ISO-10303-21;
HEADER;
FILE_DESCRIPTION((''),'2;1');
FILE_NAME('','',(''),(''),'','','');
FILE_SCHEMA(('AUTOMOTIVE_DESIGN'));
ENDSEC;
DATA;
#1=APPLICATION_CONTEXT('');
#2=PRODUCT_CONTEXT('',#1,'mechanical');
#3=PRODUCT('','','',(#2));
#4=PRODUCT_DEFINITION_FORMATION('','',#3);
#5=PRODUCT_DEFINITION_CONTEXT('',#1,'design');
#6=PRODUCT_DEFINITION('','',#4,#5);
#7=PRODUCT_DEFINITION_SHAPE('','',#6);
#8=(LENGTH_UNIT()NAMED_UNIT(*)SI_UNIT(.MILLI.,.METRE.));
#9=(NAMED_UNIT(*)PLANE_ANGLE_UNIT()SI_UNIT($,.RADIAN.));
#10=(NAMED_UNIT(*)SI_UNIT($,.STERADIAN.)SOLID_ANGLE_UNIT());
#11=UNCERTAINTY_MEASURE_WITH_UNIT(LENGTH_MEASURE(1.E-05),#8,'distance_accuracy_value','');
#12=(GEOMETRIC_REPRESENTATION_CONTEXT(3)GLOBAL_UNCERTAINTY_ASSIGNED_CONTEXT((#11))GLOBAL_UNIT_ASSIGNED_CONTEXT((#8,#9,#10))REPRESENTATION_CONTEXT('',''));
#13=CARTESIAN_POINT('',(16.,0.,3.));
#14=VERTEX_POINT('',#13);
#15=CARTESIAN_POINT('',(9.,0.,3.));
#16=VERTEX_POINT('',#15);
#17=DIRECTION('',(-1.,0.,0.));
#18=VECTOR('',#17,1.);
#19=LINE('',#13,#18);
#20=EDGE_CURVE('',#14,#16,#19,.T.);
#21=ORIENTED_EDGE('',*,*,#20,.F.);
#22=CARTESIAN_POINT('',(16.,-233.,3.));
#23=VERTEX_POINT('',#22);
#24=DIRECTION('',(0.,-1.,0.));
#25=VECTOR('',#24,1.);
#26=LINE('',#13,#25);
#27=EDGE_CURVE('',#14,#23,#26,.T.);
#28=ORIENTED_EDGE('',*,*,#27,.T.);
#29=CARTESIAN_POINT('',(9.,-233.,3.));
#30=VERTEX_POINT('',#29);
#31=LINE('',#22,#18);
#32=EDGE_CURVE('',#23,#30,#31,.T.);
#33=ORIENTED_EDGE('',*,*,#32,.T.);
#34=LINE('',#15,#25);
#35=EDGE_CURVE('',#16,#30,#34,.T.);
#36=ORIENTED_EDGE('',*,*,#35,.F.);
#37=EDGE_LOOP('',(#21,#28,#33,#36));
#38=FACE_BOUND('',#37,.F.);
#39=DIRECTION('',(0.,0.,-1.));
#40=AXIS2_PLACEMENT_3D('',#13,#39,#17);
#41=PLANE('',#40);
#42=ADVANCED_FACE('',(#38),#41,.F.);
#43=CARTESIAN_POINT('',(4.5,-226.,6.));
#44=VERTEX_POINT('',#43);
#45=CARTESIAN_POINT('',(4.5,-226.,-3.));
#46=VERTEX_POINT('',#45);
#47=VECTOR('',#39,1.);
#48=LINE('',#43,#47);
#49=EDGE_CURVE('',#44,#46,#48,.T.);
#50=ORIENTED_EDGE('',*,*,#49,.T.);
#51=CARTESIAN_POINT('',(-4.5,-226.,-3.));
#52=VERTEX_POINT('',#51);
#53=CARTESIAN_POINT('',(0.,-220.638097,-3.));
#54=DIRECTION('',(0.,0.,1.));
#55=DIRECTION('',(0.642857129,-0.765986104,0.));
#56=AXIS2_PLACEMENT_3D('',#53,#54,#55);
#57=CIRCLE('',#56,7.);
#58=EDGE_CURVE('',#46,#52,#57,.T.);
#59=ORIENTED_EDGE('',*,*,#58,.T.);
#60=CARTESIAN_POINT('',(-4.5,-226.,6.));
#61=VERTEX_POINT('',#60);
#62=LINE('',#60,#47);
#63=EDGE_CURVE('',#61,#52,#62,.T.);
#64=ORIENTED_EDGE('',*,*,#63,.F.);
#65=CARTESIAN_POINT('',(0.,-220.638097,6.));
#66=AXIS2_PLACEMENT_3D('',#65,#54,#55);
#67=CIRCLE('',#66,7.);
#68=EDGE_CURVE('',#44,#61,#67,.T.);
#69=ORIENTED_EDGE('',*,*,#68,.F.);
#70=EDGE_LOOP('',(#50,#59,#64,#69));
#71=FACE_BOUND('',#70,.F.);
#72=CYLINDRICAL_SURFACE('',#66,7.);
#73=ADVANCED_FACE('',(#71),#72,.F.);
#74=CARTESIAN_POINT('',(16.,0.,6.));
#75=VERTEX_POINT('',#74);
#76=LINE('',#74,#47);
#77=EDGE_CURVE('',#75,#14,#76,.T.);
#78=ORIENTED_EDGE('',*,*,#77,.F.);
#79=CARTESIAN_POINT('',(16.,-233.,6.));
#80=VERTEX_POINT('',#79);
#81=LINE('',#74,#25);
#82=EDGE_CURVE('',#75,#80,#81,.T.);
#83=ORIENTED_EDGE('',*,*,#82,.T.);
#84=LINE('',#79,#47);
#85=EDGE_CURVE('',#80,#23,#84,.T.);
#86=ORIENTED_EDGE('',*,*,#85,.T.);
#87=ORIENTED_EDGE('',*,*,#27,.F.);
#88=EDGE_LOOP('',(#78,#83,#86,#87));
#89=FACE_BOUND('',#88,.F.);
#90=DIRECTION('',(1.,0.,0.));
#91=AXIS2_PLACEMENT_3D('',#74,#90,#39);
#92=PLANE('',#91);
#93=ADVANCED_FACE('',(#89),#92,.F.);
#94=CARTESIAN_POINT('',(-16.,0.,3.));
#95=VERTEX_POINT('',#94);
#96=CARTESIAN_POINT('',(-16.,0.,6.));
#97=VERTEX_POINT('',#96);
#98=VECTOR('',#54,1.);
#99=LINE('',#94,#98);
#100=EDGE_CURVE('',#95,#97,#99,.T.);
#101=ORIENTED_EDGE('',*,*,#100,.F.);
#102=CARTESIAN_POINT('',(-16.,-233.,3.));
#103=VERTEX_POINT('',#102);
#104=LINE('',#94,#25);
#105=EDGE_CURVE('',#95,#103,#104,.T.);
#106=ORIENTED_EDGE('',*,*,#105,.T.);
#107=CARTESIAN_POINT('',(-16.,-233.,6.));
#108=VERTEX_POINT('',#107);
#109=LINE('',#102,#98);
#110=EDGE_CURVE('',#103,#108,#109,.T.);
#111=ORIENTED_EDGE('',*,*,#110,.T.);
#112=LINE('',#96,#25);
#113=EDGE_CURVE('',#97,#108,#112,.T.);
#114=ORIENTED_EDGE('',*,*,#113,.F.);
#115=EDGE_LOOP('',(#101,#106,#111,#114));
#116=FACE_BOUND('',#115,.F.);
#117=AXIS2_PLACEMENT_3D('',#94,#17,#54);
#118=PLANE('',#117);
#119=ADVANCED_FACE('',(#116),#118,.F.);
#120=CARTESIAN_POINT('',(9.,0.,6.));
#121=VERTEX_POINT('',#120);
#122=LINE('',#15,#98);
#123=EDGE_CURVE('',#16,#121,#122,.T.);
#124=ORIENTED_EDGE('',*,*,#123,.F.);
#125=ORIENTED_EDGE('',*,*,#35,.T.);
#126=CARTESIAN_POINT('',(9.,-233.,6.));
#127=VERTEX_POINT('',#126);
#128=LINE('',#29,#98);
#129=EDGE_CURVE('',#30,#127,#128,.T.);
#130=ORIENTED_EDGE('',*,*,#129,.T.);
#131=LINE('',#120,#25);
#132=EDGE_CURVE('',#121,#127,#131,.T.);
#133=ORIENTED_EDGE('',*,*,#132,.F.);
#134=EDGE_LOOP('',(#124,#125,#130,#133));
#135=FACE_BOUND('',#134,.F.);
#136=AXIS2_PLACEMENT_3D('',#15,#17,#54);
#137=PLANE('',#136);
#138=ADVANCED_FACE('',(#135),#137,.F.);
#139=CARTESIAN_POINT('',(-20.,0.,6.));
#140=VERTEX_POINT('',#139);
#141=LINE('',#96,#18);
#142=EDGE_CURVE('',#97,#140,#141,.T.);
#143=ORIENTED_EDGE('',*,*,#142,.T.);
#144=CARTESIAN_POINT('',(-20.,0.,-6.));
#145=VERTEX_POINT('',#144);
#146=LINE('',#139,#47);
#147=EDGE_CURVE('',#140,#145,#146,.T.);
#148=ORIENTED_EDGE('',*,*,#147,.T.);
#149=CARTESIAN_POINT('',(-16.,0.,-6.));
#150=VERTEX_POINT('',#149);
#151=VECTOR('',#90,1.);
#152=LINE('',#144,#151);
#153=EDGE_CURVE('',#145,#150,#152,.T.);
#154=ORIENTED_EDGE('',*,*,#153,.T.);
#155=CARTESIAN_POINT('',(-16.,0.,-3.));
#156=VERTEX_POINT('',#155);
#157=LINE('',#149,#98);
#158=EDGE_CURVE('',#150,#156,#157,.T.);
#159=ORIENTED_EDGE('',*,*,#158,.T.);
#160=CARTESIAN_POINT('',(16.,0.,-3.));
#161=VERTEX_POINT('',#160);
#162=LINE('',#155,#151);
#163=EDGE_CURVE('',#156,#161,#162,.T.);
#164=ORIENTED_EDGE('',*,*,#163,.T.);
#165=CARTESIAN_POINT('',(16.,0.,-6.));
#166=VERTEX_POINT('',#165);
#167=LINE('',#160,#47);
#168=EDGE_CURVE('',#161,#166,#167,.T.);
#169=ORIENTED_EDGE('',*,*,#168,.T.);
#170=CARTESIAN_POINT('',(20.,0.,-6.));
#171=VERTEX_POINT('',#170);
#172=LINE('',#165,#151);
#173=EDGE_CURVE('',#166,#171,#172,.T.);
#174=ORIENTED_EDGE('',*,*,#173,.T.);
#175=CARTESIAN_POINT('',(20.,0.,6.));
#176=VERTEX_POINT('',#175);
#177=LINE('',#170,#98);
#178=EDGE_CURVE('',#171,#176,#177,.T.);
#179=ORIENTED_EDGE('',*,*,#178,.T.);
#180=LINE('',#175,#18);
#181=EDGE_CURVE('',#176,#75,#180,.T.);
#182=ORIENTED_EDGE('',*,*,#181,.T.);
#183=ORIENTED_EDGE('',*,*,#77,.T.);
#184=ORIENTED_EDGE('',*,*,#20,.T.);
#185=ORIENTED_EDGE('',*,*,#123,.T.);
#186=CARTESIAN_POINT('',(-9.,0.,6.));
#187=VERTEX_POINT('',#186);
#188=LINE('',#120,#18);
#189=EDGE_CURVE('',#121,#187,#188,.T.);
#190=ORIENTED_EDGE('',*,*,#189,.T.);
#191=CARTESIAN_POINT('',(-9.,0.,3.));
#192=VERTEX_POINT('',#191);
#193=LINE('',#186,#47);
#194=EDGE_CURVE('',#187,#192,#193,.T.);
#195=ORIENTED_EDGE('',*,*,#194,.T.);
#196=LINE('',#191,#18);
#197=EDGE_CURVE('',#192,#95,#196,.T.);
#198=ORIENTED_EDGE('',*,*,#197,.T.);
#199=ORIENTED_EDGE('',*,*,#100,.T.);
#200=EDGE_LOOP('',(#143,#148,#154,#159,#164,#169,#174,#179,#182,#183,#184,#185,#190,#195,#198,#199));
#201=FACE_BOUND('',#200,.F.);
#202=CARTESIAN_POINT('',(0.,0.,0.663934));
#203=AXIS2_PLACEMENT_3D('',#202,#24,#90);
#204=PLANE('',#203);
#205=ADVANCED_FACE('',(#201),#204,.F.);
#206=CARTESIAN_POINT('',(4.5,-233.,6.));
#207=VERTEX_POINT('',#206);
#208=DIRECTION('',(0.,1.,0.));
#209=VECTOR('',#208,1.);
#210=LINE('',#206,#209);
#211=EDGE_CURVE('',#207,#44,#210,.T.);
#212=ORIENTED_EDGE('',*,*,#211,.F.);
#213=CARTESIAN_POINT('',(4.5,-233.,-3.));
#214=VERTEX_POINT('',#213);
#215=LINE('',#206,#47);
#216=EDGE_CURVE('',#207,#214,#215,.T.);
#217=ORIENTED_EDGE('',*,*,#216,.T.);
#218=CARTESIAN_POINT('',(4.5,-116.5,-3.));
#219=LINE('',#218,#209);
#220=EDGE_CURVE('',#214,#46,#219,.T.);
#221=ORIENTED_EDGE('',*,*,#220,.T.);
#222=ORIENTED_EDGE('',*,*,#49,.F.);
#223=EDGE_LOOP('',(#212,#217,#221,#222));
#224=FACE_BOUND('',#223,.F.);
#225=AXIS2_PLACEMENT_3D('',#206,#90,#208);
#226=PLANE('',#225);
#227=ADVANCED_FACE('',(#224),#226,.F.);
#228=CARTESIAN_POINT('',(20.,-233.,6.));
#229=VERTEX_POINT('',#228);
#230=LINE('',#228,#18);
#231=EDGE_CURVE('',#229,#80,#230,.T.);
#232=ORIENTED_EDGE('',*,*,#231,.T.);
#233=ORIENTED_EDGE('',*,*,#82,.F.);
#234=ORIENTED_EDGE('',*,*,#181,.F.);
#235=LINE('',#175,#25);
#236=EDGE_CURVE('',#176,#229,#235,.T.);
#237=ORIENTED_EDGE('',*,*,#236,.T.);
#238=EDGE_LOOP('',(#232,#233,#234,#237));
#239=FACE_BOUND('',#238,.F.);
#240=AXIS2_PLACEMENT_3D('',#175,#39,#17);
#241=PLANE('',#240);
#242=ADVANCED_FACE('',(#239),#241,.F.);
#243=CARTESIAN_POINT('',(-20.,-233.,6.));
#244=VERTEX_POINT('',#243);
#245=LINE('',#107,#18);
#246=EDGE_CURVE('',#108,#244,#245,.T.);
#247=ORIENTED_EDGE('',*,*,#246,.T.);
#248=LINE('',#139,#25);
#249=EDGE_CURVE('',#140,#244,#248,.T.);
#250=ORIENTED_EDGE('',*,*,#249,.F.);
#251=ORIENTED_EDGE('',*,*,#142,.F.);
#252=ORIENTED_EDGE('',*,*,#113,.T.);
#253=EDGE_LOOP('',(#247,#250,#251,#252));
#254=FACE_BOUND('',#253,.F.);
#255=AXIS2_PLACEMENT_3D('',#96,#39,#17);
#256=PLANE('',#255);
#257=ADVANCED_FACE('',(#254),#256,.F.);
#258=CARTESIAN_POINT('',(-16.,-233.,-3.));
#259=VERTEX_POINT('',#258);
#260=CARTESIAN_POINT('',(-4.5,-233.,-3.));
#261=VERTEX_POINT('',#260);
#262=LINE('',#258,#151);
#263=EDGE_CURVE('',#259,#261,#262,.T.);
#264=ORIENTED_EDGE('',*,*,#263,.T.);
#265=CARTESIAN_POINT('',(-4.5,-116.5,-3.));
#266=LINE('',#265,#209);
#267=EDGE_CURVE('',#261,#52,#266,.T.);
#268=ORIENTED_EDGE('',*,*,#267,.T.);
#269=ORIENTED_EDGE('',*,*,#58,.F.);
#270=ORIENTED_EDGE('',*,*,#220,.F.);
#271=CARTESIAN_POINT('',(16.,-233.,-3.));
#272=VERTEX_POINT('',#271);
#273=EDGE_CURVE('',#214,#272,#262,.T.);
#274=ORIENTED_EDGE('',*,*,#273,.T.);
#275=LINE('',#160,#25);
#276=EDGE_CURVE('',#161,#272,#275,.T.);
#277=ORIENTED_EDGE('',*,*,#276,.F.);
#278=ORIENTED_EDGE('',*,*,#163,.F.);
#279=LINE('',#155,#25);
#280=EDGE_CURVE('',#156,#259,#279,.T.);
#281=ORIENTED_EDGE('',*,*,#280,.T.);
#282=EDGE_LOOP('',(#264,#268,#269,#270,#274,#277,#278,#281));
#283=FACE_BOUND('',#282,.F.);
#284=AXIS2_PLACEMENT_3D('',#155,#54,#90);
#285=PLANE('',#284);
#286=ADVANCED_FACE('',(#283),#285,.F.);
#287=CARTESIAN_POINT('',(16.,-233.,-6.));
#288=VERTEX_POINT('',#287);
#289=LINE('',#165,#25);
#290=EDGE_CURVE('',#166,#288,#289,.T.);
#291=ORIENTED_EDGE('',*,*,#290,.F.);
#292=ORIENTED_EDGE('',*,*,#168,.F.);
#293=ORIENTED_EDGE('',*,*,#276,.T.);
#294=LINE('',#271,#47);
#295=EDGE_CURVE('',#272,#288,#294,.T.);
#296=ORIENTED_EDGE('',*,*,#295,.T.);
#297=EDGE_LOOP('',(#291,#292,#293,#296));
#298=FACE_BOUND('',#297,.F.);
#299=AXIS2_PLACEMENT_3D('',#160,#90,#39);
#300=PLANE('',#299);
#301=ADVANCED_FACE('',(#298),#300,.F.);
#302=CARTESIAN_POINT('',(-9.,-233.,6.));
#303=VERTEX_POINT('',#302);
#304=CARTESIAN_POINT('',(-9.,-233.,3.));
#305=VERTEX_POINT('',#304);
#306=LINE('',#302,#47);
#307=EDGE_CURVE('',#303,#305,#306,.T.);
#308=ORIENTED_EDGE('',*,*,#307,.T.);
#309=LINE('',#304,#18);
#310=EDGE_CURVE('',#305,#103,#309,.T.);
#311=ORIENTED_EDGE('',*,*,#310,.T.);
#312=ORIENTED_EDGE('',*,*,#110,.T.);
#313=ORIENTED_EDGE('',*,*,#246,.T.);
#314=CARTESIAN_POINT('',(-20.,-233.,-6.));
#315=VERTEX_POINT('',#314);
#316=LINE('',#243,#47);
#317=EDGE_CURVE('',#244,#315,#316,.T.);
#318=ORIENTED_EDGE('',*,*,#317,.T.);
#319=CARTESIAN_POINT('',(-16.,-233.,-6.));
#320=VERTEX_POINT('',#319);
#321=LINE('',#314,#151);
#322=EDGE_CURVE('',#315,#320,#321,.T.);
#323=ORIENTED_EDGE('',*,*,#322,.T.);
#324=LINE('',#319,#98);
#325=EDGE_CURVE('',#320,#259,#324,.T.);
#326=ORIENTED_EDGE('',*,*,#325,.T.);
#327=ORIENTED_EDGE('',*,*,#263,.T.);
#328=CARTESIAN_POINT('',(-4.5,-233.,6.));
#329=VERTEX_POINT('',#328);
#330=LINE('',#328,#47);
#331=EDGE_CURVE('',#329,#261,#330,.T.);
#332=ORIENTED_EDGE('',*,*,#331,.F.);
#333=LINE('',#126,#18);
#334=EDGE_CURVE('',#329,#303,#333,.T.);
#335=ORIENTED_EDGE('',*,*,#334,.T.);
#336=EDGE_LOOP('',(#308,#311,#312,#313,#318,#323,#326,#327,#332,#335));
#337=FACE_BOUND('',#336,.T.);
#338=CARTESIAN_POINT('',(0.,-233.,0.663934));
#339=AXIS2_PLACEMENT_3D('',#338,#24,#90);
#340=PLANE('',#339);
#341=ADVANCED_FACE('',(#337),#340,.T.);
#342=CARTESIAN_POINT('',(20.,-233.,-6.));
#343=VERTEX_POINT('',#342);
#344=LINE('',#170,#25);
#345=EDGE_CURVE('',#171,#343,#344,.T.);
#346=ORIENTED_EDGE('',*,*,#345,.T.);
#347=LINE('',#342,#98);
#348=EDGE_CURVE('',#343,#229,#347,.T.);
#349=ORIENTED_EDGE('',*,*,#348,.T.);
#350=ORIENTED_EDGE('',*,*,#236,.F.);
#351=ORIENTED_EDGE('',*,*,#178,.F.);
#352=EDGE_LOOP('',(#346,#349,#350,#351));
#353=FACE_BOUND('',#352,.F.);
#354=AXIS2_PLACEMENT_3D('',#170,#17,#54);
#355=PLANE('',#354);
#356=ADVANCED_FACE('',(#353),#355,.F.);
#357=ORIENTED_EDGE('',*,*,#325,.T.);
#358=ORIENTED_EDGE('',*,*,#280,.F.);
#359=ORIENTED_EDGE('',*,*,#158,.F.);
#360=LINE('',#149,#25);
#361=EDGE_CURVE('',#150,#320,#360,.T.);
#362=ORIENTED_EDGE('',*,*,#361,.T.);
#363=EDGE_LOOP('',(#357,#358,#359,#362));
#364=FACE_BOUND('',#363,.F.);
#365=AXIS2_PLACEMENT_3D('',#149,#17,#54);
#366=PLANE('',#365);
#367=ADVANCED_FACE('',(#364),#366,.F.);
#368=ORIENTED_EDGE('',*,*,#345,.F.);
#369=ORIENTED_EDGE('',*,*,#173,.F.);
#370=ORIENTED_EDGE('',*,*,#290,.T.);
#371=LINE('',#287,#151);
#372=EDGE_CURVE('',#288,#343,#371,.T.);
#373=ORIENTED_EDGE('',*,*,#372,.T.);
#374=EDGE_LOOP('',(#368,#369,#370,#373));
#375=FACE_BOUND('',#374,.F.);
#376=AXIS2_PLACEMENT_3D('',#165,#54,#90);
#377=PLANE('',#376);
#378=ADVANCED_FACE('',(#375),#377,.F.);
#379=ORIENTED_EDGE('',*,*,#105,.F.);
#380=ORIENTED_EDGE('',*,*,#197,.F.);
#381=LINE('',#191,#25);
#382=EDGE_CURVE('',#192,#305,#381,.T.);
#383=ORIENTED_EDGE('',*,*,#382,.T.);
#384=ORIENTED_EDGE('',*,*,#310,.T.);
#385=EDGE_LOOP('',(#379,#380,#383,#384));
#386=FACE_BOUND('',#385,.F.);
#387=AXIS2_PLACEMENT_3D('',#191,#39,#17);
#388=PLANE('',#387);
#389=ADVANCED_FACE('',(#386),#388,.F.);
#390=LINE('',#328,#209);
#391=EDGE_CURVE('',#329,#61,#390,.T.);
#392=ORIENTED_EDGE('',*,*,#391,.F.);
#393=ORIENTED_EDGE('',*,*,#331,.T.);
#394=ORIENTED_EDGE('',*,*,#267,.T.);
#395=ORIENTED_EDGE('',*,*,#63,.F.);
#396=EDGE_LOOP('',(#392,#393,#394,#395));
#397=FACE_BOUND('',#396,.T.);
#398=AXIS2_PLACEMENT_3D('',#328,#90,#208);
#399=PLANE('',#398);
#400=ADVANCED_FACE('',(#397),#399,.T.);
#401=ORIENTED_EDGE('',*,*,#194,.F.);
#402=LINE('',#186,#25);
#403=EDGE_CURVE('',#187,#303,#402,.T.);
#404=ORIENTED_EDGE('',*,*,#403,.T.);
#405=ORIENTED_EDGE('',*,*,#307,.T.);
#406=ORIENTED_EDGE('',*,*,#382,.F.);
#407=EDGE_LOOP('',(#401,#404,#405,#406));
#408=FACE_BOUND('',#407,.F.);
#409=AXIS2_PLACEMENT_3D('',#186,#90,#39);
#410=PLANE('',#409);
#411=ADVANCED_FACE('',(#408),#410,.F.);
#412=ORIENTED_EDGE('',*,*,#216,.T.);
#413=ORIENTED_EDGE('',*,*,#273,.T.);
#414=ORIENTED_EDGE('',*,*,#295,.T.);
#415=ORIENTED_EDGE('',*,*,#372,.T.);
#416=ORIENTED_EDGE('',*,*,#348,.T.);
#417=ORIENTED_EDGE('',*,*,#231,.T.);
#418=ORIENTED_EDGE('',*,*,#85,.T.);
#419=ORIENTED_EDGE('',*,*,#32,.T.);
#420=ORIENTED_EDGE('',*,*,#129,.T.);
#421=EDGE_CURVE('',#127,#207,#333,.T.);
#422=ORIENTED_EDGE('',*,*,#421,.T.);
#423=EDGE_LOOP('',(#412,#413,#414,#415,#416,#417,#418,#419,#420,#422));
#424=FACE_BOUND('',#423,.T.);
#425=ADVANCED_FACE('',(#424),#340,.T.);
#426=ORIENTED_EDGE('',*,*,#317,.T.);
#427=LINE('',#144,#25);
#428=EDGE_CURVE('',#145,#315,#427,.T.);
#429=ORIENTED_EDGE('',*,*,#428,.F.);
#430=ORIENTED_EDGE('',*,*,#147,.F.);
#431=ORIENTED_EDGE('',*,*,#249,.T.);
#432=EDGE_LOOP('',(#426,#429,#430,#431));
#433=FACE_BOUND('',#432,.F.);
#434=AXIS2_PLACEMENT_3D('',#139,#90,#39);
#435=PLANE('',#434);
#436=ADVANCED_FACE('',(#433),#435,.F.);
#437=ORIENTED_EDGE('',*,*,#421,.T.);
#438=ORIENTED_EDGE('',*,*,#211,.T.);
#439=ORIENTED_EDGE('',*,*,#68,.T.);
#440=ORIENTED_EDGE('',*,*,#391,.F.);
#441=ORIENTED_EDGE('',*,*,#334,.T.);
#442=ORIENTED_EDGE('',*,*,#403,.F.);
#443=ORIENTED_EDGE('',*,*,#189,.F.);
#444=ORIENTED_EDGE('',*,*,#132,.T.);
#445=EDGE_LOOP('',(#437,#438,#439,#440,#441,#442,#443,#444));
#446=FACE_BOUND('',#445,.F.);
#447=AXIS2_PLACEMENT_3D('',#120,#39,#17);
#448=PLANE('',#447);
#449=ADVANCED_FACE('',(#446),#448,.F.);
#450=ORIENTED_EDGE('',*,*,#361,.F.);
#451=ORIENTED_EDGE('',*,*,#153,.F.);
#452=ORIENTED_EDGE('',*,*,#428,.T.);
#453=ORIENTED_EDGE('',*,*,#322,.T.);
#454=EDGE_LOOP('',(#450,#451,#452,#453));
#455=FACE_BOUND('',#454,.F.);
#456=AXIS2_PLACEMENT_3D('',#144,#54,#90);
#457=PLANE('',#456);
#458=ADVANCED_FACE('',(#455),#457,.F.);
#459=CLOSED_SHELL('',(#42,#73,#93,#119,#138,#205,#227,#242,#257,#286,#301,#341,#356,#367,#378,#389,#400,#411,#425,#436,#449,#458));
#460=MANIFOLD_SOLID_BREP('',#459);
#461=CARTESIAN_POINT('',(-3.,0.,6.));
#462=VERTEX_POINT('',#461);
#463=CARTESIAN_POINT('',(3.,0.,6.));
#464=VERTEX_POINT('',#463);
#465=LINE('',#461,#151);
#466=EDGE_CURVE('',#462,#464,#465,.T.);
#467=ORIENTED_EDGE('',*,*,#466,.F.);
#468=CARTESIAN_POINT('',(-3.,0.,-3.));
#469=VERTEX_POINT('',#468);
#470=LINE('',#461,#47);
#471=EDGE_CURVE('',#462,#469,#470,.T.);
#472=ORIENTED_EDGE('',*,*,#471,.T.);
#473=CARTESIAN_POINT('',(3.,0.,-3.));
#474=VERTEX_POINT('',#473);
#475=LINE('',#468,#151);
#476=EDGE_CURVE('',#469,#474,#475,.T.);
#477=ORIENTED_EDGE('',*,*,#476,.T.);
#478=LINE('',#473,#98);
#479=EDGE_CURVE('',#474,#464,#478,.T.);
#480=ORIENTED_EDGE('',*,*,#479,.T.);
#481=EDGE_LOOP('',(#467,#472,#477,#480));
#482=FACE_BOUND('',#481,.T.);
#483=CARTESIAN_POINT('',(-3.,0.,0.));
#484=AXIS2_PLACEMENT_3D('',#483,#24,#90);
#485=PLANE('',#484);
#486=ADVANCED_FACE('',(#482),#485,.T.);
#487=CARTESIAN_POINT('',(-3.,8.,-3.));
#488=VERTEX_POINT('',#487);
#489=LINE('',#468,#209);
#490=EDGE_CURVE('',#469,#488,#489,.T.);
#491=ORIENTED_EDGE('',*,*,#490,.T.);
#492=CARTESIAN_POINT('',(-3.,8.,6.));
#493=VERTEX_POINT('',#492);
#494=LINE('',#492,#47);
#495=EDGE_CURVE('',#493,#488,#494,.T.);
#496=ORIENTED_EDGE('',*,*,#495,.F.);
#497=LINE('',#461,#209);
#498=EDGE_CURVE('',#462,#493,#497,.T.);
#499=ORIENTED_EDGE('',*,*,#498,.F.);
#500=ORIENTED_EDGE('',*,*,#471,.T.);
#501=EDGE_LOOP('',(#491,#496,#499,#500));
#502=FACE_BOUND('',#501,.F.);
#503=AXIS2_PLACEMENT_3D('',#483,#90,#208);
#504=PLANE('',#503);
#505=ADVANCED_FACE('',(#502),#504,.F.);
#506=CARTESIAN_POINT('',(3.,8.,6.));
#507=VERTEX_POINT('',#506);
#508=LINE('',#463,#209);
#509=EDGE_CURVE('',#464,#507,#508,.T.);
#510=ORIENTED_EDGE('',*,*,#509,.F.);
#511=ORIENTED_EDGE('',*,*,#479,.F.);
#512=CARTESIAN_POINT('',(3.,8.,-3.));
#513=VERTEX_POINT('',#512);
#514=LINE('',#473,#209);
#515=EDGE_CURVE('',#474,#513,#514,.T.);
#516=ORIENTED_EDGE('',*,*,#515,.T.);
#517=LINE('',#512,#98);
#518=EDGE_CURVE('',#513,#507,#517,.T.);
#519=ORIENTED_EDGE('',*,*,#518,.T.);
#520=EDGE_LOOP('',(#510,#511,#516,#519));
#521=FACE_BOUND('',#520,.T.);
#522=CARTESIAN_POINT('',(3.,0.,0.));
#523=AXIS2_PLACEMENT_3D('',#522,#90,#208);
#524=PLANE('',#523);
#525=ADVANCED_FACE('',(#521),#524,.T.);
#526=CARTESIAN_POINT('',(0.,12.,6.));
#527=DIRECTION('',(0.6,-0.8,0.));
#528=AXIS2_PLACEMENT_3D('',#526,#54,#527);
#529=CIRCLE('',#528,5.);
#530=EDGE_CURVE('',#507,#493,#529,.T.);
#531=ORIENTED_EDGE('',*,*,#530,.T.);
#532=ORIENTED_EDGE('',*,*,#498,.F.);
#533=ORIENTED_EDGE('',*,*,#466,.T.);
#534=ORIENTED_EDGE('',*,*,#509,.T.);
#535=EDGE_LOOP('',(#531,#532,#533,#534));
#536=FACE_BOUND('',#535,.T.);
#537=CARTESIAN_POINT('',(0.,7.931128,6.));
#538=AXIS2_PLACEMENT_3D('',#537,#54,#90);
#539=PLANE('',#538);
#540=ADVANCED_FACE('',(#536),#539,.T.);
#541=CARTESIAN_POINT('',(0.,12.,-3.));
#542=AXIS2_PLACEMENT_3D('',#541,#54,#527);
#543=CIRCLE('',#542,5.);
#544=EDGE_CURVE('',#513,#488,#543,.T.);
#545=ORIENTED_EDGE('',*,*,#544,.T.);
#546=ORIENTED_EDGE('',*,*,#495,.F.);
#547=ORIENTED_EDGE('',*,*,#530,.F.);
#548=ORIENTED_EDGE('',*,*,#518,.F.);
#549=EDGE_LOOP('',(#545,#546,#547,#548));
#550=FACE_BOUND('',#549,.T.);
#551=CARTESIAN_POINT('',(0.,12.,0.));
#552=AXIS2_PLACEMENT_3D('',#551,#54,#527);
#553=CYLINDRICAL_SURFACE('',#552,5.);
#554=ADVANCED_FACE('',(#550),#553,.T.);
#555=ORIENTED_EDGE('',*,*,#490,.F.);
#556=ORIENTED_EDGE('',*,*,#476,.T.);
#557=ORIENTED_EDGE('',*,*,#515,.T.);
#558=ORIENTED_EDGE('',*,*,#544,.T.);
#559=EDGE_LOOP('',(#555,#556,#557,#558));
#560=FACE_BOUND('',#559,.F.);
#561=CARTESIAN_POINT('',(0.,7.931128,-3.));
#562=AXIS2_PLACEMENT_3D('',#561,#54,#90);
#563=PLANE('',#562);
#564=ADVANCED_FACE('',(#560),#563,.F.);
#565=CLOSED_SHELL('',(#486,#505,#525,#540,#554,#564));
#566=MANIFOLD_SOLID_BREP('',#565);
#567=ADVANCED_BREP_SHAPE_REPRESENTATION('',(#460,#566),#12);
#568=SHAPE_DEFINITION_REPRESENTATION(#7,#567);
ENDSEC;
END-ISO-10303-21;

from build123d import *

# Parameters (mm, degrees)
PAD_DEPTH         = 233
POCKET_DEPTH      = 12.001
PAD001_DEPTH      = 6
PAD001_DEPTH_BACK = 3


with BuildPart() as body:
    # Sketch → Pad (new body)
    with BuildSketch(Plane.XZ):
        Polygon((-20, 6), (-20, -6), (-16, -6), (-16, -3), (-9, -3), (9, -3), (16, -3), (16, -6), (20, -6), (20, 6), (16, 6), (16, 3), (9, 3), (9, 6), (-9, 6), (-9, 3), (-16, 3), (-16, 6), align=None)
    extrude(amount=PAD_DEPTH)

    # Sketch002 (on Face14 of Pad) → Pocket (cut, through all)
    with BuildSketch(Plane(origin=(0, 0, 6), x_dir=(-1, 0, 0), z_dir=(0, 0, 1))):
        with BuildLine():
            Line((-4.5, 233), (4.5, 233))
            Line((4.5, 233), (4.5, 226))
            ThreePointArc((-4.5, 226), (0, 213.638097), (4.5, 226))
            Line((-4.5, 233), (-4.5, 226))
        make_face()
    extrude(amount=-POCKET_DEPTH, mode=Mode.SUBTRACT)


with BuildPart() as body001:
    # Sketch001 → Pad001 (new body, two sides)
    with BuildSketch(Plane.XY) as pad001_sk:
        with BuildLine():
            Line((-3, 0), (3, 0))
            Line((3, 0), (3, 8))
            ThreePointArc((3, 8), (0, 17), (-3, 8))
            Line((-3, 0), (-3, 8))
        make_face()
    extrude(amount=PAD001_DEPTH)
    extrude(pad001_sk.sketch, amount=-PAD001_DEPTH_BACK)


solid = Compound([body.part, body001.part])
